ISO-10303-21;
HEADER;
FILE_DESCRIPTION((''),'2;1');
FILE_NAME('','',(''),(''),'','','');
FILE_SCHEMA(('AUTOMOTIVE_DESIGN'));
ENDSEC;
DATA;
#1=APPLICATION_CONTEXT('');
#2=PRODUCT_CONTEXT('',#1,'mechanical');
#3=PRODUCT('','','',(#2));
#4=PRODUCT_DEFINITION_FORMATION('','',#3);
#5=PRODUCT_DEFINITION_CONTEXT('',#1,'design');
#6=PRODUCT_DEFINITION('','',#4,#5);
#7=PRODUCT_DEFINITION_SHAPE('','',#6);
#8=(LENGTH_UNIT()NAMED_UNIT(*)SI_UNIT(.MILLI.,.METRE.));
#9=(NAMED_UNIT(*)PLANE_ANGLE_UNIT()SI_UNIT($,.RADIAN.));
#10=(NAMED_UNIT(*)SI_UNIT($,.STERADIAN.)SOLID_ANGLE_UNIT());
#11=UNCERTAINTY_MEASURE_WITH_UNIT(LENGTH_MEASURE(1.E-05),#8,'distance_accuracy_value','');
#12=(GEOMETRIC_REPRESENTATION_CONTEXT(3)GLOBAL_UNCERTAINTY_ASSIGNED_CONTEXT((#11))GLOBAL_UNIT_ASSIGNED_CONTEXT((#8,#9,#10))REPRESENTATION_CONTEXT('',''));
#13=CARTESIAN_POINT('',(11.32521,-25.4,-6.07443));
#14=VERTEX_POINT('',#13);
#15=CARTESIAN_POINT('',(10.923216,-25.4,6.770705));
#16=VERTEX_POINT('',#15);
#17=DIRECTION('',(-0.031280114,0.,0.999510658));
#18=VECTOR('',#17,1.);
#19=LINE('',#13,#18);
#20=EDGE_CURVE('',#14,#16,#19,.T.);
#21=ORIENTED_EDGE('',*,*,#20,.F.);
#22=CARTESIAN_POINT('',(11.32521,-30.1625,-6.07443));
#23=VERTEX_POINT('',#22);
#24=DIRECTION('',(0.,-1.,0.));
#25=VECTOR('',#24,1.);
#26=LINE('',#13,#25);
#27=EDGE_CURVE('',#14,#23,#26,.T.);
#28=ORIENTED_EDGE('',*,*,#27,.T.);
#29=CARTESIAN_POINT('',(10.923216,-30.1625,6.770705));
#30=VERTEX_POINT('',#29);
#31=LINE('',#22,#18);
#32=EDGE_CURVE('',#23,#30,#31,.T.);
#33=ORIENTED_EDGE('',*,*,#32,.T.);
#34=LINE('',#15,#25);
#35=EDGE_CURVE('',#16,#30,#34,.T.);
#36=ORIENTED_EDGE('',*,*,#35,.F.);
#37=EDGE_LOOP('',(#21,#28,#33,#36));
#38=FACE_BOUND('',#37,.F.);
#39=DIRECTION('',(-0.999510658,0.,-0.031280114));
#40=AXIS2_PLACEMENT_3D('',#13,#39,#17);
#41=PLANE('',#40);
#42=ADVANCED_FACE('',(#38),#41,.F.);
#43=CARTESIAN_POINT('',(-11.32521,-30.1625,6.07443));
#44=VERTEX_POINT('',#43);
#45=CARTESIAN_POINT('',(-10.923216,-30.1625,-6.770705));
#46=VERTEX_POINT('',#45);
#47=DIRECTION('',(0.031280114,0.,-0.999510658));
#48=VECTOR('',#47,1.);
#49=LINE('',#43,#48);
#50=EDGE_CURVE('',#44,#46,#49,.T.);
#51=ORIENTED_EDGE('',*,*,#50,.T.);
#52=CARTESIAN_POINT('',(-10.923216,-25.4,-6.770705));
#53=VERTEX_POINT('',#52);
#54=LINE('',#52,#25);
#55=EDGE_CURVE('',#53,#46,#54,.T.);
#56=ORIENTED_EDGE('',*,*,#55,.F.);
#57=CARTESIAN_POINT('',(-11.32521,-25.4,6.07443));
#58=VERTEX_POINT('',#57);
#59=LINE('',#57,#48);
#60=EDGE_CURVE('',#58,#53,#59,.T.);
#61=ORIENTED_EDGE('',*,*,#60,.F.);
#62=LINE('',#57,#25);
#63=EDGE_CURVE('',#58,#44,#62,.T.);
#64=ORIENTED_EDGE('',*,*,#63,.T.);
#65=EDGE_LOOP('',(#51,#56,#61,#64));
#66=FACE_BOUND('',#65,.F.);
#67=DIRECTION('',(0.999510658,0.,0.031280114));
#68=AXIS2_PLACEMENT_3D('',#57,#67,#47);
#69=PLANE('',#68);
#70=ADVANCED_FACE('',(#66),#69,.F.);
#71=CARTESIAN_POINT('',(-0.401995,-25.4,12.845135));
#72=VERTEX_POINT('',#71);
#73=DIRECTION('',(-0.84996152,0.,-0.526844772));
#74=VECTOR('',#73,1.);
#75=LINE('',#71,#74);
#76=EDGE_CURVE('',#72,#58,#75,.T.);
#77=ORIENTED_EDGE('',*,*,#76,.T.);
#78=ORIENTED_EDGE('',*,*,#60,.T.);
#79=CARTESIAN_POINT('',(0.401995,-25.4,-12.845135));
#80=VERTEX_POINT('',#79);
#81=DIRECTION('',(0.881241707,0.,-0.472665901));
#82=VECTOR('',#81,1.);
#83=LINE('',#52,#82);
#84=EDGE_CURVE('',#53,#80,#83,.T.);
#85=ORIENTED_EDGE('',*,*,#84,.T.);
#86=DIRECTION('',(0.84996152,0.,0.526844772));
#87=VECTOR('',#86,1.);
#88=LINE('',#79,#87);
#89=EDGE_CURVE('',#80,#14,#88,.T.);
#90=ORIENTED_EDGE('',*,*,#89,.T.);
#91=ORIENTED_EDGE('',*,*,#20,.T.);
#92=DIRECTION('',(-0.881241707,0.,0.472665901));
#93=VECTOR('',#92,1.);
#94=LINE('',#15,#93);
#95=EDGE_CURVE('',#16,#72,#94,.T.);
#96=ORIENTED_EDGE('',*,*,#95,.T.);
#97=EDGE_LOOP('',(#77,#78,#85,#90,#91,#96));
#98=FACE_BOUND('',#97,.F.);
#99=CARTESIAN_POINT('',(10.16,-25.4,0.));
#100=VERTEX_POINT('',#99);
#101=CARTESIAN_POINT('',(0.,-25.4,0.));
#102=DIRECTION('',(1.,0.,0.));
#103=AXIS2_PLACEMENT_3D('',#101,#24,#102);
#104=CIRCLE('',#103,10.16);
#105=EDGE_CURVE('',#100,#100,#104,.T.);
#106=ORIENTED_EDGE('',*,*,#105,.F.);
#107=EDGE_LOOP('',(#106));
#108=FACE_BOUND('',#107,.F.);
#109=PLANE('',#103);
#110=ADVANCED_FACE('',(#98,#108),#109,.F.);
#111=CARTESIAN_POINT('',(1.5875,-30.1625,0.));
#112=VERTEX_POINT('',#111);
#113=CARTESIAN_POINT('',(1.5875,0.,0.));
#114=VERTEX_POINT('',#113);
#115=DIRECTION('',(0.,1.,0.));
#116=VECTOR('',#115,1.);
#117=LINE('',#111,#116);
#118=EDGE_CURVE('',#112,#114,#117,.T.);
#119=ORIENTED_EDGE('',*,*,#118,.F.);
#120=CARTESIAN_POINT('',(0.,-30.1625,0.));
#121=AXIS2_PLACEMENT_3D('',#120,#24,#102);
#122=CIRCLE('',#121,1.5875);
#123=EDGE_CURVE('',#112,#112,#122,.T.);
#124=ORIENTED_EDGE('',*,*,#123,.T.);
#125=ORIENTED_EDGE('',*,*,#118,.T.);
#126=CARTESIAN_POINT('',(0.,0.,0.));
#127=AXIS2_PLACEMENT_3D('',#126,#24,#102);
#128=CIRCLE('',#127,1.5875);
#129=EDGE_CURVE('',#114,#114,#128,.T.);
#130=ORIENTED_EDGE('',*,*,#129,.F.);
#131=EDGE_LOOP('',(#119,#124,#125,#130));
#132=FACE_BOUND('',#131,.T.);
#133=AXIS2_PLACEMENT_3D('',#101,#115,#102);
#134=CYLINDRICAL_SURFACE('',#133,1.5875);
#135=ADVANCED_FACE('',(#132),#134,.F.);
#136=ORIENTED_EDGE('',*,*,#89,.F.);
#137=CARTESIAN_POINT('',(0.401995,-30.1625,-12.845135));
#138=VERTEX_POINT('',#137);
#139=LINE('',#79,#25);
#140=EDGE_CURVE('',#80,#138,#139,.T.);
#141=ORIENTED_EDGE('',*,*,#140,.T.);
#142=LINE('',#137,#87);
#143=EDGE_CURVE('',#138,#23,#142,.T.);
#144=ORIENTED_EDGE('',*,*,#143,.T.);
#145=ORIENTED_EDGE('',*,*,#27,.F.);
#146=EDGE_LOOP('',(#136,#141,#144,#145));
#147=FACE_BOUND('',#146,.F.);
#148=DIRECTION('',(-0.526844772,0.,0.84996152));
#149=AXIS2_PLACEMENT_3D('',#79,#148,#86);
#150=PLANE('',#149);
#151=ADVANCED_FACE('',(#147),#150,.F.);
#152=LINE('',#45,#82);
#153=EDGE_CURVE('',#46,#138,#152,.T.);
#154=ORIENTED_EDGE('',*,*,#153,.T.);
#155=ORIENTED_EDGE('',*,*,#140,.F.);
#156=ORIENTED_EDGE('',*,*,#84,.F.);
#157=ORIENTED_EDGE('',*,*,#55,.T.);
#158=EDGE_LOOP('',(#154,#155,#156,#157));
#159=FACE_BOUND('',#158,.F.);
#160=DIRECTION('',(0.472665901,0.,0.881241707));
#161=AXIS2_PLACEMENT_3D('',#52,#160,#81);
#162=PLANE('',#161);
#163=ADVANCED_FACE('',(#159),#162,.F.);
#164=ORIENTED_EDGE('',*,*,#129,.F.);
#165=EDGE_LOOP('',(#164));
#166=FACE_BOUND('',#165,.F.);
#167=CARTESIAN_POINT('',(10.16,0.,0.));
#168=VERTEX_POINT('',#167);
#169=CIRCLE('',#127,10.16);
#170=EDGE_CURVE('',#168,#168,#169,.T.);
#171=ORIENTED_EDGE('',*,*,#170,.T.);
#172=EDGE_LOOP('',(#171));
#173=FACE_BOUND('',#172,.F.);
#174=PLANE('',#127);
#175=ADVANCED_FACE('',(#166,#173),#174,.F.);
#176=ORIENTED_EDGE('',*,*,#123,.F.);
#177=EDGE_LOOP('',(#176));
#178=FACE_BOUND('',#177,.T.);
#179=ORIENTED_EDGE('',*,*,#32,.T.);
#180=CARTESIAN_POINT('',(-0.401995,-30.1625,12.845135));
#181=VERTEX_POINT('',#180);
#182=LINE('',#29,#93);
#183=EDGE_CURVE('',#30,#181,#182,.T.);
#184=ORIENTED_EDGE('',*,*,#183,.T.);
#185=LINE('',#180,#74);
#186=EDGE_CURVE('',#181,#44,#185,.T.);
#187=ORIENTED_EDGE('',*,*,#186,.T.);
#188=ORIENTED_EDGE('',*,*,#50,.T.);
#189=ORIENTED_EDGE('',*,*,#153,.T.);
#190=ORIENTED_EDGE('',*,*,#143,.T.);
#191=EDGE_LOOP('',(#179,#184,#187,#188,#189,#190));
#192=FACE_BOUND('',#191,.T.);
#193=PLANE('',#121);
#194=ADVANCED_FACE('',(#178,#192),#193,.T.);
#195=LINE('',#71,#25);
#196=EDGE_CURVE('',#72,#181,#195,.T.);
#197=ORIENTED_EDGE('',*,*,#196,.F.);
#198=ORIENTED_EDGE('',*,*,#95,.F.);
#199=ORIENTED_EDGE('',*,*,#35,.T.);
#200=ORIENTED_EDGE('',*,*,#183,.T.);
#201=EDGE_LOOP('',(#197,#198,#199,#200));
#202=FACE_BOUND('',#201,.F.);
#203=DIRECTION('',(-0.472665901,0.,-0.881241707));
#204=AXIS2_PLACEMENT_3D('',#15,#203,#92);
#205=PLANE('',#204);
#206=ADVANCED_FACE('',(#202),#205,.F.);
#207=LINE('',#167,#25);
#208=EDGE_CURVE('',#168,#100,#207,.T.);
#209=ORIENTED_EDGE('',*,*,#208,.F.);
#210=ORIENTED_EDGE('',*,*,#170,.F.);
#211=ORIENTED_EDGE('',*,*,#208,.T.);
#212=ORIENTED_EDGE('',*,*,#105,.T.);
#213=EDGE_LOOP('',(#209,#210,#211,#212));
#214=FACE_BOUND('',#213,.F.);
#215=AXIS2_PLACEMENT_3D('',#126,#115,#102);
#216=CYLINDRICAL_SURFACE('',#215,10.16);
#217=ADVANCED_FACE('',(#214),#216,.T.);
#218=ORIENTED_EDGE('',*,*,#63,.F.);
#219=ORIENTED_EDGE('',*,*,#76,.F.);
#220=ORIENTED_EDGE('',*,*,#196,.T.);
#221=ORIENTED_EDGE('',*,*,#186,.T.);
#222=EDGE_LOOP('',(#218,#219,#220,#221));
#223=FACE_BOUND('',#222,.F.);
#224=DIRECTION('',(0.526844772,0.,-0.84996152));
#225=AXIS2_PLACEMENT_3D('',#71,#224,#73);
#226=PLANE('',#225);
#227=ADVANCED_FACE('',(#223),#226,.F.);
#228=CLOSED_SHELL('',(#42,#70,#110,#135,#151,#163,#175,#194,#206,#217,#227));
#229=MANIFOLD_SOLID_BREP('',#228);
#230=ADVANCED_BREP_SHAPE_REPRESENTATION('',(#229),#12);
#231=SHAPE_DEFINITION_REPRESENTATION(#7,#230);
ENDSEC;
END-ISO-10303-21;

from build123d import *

# Parameters (mm, degrees)
F0_R     = 10.16
F0_R_2   = 1.5875
F1_DEPTH = 25.4
F3_R     = 1.5875
F4_DEPTH = 4.7625


with BuildPart() as f1:
    # F0 (on Front) → F1 (new body)
    with BuildSketch(Plane.XZ):
        Circle(F0_R)
        Circle(F0_R_2, mode=Mode.SUBTRACT)
    extrude(amount=F1_DEPTH)

    # F3 (on offset) → F4 (join)
    with BuildSketch(Plane.XZ.offset(25.4)):
        Polygon((10.923216, 6.770705), (-0.401995, 12.845135), (-11.32521, 6.07443), (-10.923216, -6.770705), (0.401995, -12.845135), (11.32521, -6.07443), align=None)
        Circle(F3_R, mode=Mode.SUBTRACT)
    extrude(amount=F4_DEPTH)


solid = f1.part
